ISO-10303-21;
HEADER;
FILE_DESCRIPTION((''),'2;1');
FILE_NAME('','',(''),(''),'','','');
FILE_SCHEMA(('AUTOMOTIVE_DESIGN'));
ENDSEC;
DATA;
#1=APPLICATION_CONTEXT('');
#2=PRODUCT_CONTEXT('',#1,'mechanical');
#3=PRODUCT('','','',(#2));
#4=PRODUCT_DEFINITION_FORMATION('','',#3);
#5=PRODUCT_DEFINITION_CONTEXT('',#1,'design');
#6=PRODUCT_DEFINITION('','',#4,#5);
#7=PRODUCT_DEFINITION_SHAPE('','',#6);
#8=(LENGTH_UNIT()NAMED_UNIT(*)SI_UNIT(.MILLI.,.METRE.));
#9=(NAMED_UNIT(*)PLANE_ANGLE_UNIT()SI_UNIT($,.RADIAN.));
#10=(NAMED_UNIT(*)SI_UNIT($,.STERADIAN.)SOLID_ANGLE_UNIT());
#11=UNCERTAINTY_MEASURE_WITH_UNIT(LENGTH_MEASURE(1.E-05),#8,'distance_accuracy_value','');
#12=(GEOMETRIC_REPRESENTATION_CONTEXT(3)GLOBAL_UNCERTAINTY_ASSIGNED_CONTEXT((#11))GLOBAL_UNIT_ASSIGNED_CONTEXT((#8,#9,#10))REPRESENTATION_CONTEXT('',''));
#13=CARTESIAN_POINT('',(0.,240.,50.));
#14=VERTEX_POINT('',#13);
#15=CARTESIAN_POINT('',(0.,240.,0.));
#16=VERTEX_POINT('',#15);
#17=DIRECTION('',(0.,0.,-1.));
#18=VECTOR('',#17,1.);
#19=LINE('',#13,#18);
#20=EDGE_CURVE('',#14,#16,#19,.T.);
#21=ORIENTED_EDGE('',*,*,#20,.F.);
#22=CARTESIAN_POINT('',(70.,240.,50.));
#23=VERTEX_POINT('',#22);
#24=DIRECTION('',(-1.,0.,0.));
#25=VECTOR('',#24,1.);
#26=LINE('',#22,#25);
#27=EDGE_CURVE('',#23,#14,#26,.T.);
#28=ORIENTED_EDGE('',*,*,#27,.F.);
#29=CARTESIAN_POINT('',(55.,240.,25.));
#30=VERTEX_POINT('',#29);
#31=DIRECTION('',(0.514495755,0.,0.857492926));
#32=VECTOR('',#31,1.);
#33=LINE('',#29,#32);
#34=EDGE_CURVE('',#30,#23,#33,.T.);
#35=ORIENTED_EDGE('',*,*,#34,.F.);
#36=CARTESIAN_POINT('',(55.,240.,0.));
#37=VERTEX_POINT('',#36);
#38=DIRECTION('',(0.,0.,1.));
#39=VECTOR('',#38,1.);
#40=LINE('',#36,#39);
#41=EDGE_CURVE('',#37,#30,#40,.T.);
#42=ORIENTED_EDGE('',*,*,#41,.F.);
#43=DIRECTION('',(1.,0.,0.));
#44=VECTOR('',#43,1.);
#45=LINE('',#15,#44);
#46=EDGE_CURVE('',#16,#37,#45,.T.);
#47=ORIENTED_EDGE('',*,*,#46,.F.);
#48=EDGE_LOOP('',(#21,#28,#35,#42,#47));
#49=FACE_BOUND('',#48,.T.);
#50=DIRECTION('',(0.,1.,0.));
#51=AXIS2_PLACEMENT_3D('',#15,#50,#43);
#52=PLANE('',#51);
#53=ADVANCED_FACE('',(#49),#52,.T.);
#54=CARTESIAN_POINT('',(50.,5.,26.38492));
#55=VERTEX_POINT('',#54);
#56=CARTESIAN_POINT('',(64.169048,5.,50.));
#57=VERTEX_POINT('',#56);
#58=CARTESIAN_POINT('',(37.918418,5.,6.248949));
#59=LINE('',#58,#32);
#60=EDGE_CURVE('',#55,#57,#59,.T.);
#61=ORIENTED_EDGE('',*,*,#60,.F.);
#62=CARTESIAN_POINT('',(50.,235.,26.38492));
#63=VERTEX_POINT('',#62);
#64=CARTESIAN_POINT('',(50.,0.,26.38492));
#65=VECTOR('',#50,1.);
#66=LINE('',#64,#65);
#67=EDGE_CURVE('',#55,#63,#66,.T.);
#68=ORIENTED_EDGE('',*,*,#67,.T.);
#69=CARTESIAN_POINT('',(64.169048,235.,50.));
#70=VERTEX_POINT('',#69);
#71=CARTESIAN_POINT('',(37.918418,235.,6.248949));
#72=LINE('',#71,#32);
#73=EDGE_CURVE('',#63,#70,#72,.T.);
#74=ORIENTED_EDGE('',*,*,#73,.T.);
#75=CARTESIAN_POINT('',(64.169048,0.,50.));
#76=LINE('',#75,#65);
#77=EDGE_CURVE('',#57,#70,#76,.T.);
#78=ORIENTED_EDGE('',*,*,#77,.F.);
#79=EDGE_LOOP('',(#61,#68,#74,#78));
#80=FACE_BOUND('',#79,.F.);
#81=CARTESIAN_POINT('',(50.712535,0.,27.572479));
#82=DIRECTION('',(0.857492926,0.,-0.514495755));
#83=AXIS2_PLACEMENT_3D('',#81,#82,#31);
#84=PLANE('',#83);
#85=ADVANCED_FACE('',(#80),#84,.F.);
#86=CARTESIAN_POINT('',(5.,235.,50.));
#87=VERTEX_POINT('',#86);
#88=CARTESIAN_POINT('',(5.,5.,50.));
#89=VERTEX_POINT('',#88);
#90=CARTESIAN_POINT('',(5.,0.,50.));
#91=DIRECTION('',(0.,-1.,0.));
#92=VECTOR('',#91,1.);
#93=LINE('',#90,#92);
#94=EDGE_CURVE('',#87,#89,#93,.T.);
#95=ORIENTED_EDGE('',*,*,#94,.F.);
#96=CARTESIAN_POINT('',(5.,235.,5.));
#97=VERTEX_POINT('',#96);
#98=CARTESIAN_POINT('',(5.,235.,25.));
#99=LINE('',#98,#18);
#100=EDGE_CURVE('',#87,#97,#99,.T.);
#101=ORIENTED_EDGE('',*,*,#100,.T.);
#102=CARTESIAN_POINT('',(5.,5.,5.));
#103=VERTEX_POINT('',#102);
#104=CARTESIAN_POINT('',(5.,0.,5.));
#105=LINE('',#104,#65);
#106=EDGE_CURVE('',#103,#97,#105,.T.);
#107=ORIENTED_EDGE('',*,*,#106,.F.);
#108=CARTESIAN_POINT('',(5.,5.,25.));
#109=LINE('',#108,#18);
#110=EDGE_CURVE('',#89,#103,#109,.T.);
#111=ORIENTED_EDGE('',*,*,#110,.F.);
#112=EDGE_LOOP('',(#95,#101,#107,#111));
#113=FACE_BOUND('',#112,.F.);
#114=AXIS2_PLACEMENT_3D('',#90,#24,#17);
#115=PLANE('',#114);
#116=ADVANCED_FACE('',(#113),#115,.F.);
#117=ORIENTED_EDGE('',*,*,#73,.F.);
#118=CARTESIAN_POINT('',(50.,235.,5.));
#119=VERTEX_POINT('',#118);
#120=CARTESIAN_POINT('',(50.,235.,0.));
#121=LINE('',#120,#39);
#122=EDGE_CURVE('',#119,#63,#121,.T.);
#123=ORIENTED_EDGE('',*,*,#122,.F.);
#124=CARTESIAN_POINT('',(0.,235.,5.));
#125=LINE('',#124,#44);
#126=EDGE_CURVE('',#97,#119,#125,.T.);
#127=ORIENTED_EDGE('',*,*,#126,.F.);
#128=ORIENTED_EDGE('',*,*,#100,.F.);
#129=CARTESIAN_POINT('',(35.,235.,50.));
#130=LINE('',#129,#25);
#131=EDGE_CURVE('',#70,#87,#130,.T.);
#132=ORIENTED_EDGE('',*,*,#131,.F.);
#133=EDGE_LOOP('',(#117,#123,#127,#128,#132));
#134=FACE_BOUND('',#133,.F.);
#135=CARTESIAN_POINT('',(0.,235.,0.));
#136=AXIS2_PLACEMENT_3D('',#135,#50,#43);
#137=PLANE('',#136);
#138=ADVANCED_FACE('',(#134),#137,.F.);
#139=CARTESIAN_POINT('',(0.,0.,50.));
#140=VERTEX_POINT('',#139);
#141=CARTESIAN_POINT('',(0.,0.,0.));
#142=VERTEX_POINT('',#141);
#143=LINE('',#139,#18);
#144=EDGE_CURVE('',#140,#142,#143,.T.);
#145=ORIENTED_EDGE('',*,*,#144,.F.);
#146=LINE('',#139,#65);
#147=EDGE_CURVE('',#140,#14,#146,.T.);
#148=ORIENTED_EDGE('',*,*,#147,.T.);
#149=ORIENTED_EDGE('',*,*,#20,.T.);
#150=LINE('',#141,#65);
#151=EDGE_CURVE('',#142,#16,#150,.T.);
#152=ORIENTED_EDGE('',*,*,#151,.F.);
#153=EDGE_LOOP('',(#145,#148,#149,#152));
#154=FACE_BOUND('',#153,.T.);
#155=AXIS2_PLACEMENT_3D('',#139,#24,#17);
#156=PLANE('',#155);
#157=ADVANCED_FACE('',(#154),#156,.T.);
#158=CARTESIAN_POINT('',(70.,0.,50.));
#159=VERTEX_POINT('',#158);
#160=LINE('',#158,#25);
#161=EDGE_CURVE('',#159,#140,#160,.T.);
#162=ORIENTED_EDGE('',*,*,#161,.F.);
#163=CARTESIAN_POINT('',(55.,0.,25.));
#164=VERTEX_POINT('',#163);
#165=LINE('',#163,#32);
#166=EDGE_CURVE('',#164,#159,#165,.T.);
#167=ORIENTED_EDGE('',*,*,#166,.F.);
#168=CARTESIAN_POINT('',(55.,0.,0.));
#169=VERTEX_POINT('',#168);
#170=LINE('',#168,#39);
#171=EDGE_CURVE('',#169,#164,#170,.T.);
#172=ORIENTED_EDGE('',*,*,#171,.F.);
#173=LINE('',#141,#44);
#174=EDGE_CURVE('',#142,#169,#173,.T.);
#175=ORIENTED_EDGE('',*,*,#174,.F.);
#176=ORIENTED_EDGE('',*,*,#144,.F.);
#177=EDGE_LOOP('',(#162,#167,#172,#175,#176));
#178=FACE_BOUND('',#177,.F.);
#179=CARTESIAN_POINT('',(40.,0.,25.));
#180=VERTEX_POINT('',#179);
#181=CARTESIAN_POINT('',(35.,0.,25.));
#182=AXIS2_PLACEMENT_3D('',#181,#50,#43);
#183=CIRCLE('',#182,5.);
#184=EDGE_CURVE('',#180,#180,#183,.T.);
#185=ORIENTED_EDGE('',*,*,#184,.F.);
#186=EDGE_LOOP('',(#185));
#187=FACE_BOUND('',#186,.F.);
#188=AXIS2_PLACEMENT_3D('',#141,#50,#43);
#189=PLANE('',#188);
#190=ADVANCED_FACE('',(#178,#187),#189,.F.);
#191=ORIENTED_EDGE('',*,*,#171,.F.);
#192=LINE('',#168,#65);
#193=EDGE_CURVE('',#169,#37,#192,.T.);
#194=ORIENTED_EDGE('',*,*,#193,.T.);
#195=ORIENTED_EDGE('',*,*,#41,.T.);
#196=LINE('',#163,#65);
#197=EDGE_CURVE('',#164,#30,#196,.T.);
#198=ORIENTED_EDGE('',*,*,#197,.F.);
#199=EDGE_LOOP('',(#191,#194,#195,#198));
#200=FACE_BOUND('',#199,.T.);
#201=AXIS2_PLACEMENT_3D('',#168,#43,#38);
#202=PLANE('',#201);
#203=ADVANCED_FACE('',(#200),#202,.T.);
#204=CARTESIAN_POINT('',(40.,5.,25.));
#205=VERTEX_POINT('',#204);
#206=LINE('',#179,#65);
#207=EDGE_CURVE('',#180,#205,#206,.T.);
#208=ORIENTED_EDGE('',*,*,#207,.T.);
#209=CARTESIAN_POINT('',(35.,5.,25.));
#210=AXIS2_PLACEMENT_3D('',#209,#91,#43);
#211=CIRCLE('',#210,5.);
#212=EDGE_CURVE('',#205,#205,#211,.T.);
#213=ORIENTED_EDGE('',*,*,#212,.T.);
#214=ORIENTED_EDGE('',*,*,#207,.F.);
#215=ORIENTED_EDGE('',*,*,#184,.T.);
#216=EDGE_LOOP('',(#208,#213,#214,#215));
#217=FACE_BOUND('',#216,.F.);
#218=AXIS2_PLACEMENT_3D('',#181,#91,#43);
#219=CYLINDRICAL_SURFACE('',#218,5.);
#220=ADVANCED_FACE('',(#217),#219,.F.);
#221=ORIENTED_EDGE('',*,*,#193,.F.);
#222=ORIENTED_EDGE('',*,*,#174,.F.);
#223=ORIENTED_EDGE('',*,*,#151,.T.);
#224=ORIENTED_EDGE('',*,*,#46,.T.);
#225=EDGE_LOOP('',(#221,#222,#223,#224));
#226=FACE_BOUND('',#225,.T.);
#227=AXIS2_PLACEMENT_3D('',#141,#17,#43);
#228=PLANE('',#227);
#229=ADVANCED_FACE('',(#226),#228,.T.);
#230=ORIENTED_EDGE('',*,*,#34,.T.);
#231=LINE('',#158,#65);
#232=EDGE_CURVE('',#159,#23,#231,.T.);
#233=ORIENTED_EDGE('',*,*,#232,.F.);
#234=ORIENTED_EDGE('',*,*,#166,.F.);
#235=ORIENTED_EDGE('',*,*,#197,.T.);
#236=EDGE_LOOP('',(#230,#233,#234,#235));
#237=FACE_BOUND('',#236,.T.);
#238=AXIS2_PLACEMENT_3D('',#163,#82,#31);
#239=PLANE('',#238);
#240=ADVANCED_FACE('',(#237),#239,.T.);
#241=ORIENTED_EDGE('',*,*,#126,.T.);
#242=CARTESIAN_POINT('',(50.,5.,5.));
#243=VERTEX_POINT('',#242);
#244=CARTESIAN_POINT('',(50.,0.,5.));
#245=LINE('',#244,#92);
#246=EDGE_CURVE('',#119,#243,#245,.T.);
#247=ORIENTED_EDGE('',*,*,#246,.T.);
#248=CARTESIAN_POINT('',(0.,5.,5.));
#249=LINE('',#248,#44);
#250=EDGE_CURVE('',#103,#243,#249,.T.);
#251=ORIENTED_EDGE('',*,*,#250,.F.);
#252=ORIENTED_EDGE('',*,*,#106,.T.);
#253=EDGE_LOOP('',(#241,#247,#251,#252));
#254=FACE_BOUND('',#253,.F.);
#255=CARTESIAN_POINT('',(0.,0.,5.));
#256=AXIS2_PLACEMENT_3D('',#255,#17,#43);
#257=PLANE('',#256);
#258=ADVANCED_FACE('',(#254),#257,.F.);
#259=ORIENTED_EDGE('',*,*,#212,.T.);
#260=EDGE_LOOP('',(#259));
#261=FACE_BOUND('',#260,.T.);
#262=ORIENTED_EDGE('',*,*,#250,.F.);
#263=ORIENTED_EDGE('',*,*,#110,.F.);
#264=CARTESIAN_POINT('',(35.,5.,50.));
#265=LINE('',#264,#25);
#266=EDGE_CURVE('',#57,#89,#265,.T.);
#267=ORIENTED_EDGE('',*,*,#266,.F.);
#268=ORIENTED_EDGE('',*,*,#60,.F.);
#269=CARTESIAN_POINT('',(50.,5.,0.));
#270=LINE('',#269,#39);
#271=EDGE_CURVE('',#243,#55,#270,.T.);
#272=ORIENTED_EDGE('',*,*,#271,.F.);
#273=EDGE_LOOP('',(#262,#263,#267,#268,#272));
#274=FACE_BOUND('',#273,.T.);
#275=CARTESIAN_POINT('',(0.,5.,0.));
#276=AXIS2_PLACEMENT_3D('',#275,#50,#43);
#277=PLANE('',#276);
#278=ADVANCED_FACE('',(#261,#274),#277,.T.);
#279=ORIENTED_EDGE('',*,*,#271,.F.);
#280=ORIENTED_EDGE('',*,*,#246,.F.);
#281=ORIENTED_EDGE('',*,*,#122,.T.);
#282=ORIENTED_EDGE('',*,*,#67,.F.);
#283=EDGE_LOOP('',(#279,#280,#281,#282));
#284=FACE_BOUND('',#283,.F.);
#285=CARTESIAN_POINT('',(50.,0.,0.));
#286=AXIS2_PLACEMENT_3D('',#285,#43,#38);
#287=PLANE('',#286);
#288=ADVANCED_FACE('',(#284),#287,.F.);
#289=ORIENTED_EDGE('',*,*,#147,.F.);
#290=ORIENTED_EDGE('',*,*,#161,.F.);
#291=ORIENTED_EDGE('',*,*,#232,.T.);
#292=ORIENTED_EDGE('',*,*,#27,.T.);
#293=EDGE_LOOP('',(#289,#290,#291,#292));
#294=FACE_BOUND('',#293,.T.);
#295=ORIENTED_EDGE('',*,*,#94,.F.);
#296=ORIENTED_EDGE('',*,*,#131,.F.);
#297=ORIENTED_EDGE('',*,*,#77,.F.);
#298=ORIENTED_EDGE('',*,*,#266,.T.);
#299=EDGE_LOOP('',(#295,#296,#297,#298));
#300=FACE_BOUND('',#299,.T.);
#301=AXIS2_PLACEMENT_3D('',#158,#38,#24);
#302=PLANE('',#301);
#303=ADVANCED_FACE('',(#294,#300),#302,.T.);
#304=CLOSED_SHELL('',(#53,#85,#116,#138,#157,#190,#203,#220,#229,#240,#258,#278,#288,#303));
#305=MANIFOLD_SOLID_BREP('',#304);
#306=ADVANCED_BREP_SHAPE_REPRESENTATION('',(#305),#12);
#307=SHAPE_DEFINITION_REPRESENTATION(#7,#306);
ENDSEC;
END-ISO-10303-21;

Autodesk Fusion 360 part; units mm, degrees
sketch "side" plane through (0, 0, 0) normal (0, 1, 0) x (1, 0, 0)
  line L0 (0, 0) -> (55, 0)
  line L1 (55, 0) -> (55, -25)
  line L2 (55, -25) -> (70, -50)
  line L3 (70, -50) -> (0, -50)
  line L4 (0, -50) -> (0, 0)
  dimension "d1" = 70
  dimension "d2" = 59.036
  dimension "d3" = 50
  dimension "d4" = 25
extrude "Extrude1" add sketch "side" along normal blind 240
shell "Shell1" thickness 5 removed faces 1 at (46.6667, 80, 50)
sketch "actuator hole" plane through (0, 0, 0) normal (0, -1, 0) x (1, 0, 0)
  line L0 (70, 50) -> (0, 50)
  line L1 (0, 50) -> (0, 0)
  line L2 (0, 0) -> (55, 0)
  line L3 (55, 0) -> (55, 25)
  line L4 (55, 25) -> (70, 50)
  circle A0 centre (35, 25) radius 5
  line L5 (35, 50) -> (35, 0)
  line L6 (0, 25) -> (15, 25)
  line L7 (15, 25) -> (55, 25)
  dimension "d8" = 10
extrude "Extrude2" cut sketch "actuator hole" against normal blind 230 contours A0 L5 L7 | A0 L5 L7 | A0 L5 L7 | A0 L5 L7
